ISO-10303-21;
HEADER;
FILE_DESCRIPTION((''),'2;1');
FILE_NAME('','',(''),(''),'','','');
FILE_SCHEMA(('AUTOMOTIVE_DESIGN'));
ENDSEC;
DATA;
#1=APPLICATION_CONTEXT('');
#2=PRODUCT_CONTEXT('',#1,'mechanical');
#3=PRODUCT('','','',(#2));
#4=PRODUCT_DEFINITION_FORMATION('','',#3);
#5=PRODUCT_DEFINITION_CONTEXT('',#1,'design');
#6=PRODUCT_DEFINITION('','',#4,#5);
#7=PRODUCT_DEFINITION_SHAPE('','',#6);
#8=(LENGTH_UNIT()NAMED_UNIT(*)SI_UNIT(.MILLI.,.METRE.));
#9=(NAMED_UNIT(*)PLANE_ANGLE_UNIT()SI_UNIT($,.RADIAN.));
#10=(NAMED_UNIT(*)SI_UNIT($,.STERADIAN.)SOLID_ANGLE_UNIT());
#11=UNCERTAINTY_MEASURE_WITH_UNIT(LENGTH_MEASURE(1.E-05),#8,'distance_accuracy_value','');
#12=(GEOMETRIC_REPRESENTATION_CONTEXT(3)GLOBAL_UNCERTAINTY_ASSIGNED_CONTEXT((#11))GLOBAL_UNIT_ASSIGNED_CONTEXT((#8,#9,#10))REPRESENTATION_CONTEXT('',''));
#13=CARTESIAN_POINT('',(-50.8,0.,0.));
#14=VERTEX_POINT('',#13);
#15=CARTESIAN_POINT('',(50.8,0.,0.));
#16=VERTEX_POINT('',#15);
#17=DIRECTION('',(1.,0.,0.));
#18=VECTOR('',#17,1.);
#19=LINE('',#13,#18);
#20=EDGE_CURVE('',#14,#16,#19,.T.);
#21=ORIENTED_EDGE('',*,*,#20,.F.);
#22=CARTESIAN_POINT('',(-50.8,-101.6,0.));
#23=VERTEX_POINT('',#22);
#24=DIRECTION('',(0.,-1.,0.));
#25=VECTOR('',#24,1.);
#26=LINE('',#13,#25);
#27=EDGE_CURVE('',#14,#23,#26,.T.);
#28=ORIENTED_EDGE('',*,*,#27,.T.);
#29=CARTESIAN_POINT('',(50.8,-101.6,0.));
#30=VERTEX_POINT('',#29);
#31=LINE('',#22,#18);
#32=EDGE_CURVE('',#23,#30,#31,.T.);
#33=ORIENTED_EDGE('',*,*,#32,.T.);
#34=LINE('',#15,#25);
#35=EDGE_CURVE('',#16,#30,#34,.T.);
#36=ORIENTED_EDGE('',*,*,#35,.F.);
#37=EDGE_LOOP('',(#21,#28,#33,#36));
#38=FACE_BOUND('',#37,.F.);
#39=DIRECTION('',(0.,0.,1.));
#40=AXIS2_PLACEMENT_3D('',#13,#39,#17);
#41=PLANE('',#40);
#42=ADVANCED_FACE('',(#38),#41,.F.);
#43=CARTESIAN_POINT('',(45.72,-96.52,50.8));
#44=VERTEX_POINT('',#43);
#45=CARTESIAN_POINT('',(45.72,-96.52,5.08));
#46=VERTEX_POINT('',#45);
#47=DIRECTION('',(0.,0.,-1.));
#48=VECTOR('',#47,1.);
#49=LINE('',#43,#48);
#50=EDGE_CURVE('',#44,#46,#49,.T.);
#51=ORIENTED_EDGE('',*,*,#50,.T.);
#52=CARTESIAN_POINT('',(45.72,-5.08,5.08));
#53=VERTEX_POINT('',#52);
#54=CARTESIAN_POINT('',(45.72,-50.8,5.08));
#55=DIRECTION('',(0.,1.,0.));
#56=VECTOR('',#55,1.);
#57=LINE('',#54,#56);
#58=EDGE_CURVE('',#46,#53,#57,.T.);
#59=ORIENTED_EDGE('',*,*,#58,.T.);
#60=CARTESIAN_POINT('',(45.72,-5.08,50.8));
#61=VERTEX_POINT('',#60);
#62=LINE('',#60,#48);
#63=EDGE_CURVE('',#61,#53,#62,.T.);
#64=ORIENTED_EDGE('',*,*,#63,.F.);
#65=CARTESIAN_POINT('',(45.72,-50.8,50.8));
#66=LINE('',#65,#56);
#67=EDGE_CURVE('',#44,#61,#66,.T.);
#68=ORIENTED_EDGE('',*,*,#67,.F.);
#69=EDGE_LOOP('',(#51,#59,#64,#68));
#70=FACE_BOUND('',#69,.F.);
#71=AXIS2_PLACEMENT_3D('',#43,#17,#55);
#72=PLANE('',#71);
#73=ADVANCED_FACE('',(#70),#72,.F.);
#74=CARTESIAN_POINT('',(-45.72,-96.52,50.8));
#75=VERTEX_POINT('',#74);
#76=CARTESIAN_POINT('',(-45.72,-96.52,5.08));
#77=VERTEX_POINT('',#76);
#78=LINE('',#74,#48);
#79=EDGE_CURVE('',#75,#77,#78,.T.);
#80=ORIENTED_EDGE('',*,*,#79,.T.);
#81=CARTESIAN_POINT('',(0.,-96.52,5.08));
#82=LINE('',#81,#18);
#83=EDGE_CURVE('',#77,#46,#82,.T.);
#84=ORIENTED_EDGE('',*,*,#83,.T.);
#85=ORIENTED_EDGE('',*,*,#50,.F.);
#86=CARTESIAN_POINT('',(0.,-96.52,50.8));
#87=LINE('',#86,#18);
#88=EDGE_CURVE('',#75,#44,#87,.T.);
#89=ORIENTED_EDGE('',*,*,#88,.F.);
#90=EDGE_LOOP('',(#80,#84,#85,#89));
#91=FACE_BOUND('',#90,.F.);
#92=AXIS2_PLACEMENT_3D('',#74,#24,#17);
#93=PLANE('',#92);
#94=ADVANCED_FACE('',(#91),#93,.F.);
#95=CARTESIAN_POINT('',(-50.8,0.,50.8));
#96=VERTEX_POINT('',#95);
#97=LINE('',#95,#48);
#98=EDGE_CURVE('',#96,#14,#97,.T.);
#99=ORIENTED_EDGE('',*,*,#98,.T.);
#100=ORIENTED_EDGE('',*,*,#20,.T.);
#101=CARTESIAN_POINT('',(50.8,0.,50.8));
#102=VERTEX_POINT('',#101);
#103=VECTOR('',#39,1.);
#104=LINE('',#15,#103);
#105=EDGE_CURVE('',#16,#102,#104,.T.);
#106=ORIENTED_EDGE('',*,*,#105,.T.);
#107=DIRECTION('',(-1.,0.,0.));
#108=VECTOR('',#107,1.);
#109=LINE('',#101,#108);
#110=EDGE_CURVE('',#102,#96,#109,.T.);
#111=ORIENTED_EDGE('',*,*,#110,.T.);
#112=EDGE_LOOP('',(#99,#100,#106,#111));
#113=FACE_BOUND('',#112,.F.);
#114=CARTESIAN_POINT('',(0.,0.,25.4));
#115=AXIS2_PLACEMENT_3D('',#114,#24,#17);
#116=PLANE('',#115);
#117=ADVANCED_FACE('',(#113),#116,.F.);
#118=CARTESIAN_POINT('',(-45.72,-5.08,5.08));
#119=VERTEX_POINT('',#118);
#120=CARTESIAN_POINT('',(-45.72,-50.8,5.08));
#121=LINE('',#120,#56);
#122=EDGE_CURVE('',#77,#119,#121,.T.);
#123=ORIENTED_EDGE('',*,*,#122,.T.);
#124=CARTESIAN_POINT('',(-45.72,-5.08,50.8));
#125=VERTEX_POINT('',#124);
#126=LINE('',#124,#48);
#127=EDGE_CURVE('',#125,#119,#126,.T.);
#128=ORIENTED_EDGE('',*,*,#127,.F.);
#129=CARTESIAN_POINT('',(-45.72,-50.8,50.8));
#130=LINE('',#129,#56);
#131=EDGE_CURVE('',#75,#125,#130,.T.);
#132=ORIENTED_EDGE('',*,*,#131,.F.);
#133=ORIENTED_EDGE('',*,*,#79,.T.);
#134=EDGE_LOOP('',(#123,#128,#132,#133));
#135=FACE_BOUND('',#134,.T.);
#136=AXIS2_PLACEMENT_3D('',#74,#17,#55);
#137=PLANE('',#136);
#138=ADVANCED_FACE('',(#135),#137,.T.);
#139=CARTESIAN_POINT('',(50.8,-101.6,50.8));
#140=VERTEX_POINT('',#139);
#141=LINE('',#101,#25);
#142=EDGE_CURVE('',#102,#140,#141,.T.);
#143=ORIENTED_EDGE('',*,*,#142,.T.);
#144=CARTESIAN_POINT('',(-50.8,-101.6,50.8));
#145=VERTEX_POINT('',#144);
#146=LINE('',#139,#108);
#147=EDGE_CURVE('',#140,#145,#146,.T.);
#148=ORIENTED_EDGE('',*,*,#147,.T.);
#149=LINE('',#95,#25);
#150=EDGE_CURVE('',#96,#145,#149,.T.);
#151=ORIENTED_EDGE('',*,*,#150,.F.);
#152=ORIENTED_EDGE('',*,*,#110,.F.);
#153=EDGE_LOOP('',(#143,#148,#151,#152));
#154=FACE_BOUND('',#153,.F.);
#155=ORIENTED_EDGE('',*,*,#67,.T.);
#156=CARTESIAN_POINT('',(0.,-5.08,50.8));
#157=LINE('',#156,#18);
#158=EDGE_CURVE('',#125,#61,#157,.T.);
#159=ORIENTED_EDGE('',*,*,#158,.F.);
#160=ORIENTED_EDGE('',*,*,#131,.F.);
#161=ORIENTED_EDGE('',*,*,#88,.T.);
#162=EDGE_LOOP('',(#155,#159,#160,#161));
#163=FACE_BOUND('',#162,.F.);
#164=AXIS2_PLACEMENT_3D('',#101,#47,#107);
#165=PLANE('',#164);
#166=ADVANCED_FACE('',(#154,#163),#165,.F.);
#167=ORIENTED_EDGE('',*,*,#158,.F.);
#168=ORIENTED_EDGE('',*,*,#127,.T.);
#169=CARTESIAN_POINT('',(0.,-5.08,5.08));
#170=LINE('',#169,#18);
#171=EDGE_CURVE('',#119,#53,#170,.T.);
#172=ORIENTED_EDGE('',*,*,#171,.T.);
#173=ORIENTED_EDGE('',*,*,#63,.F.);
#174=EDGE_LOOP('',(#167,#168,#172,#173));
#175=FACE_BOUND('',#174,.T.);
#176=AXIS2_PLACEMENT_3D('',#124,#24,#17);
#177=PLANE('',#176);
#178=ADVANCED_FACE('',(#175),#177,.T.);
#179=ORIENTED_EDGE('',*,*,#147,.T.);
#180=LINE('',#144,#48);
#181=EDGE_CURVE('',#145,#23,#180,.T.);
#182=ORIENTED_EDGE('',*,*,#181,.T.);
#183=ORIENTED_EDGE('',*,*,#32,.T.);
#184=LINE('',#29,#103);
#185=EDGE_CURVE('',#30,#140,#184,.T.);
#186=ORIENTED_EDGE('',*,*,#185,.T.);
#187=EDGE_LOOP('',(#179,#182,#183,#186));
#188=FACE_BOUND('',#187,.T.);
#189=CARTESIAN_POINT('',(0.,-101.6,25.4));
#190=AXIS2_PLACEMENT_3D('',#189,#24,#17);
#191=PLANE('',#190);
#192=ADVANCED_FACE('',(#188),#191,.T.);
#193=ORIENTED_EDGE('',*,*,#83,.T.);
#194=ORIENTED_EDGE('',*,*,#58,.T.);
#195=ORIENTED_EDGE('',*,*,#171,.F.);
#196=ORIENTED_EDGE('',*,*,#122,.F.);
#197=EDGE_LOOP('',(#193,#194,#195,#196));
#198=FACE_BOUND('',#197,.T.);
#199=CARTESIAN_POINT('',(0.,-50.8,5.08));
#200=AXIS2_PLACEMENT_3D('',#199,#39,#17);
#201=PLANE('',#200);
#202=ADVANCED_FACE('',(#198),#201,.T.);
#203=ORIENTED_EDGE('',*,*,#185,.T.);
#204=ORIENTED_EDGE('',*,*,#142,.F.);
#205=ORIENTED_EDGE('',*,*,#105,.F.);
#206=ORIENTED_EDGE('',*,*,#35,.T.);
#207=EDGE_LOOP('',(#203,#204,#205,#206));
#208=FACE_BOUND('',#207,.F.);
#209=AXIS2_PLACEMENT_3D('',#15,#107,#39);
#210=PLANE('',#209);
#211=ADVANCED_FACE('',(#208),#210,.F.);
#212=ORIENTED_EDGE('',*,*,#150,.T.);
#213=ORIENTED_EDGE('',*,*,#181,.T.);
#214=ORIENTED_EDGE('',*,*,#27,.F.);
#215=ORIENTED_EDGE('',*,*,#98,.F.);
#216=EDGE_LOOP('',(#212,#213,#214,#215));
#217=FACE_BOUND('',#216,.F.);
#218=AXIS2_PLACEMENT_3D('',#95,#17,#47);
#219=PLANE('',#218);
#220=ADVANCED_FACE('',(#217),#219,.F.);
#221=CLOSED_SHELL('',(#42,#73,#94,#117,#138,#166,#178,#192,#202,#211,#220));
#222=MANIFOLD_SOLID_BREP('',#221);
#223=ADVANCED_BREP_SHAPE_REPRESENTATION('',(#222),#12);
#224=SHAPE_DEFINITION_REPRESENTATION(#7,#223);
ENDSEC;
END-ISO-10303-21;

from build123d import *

# Parameters (mm, degrees)
F1_DEPTH = 101.6
F2_W     = 91.44
F2_H     = 91.44
F3_DEPTH = 45.72


with BuildPart() as f1:
    # F0 (on Front) → F1 (new body)
    with BuildSketch(Plane.XZ):
        Polygon((-50.8, 0), (0, 0), (50.8, 0), (50.8, 50.8), (0, 50.8), (-50.8, 50.8), align=None)
    extrude(amount=F1_DEPTH)

    # F2 (on face) → F3 (cut)
    with BuildSketch(Plane.XY.offset(50.8)):
        with Locations((0, -50.8)):
            Rectangle(F2_W, F2_H)
    extrude(amount=-F3_DEPTH, mode=Mode.SUBTRACT)


solid = f1.part
